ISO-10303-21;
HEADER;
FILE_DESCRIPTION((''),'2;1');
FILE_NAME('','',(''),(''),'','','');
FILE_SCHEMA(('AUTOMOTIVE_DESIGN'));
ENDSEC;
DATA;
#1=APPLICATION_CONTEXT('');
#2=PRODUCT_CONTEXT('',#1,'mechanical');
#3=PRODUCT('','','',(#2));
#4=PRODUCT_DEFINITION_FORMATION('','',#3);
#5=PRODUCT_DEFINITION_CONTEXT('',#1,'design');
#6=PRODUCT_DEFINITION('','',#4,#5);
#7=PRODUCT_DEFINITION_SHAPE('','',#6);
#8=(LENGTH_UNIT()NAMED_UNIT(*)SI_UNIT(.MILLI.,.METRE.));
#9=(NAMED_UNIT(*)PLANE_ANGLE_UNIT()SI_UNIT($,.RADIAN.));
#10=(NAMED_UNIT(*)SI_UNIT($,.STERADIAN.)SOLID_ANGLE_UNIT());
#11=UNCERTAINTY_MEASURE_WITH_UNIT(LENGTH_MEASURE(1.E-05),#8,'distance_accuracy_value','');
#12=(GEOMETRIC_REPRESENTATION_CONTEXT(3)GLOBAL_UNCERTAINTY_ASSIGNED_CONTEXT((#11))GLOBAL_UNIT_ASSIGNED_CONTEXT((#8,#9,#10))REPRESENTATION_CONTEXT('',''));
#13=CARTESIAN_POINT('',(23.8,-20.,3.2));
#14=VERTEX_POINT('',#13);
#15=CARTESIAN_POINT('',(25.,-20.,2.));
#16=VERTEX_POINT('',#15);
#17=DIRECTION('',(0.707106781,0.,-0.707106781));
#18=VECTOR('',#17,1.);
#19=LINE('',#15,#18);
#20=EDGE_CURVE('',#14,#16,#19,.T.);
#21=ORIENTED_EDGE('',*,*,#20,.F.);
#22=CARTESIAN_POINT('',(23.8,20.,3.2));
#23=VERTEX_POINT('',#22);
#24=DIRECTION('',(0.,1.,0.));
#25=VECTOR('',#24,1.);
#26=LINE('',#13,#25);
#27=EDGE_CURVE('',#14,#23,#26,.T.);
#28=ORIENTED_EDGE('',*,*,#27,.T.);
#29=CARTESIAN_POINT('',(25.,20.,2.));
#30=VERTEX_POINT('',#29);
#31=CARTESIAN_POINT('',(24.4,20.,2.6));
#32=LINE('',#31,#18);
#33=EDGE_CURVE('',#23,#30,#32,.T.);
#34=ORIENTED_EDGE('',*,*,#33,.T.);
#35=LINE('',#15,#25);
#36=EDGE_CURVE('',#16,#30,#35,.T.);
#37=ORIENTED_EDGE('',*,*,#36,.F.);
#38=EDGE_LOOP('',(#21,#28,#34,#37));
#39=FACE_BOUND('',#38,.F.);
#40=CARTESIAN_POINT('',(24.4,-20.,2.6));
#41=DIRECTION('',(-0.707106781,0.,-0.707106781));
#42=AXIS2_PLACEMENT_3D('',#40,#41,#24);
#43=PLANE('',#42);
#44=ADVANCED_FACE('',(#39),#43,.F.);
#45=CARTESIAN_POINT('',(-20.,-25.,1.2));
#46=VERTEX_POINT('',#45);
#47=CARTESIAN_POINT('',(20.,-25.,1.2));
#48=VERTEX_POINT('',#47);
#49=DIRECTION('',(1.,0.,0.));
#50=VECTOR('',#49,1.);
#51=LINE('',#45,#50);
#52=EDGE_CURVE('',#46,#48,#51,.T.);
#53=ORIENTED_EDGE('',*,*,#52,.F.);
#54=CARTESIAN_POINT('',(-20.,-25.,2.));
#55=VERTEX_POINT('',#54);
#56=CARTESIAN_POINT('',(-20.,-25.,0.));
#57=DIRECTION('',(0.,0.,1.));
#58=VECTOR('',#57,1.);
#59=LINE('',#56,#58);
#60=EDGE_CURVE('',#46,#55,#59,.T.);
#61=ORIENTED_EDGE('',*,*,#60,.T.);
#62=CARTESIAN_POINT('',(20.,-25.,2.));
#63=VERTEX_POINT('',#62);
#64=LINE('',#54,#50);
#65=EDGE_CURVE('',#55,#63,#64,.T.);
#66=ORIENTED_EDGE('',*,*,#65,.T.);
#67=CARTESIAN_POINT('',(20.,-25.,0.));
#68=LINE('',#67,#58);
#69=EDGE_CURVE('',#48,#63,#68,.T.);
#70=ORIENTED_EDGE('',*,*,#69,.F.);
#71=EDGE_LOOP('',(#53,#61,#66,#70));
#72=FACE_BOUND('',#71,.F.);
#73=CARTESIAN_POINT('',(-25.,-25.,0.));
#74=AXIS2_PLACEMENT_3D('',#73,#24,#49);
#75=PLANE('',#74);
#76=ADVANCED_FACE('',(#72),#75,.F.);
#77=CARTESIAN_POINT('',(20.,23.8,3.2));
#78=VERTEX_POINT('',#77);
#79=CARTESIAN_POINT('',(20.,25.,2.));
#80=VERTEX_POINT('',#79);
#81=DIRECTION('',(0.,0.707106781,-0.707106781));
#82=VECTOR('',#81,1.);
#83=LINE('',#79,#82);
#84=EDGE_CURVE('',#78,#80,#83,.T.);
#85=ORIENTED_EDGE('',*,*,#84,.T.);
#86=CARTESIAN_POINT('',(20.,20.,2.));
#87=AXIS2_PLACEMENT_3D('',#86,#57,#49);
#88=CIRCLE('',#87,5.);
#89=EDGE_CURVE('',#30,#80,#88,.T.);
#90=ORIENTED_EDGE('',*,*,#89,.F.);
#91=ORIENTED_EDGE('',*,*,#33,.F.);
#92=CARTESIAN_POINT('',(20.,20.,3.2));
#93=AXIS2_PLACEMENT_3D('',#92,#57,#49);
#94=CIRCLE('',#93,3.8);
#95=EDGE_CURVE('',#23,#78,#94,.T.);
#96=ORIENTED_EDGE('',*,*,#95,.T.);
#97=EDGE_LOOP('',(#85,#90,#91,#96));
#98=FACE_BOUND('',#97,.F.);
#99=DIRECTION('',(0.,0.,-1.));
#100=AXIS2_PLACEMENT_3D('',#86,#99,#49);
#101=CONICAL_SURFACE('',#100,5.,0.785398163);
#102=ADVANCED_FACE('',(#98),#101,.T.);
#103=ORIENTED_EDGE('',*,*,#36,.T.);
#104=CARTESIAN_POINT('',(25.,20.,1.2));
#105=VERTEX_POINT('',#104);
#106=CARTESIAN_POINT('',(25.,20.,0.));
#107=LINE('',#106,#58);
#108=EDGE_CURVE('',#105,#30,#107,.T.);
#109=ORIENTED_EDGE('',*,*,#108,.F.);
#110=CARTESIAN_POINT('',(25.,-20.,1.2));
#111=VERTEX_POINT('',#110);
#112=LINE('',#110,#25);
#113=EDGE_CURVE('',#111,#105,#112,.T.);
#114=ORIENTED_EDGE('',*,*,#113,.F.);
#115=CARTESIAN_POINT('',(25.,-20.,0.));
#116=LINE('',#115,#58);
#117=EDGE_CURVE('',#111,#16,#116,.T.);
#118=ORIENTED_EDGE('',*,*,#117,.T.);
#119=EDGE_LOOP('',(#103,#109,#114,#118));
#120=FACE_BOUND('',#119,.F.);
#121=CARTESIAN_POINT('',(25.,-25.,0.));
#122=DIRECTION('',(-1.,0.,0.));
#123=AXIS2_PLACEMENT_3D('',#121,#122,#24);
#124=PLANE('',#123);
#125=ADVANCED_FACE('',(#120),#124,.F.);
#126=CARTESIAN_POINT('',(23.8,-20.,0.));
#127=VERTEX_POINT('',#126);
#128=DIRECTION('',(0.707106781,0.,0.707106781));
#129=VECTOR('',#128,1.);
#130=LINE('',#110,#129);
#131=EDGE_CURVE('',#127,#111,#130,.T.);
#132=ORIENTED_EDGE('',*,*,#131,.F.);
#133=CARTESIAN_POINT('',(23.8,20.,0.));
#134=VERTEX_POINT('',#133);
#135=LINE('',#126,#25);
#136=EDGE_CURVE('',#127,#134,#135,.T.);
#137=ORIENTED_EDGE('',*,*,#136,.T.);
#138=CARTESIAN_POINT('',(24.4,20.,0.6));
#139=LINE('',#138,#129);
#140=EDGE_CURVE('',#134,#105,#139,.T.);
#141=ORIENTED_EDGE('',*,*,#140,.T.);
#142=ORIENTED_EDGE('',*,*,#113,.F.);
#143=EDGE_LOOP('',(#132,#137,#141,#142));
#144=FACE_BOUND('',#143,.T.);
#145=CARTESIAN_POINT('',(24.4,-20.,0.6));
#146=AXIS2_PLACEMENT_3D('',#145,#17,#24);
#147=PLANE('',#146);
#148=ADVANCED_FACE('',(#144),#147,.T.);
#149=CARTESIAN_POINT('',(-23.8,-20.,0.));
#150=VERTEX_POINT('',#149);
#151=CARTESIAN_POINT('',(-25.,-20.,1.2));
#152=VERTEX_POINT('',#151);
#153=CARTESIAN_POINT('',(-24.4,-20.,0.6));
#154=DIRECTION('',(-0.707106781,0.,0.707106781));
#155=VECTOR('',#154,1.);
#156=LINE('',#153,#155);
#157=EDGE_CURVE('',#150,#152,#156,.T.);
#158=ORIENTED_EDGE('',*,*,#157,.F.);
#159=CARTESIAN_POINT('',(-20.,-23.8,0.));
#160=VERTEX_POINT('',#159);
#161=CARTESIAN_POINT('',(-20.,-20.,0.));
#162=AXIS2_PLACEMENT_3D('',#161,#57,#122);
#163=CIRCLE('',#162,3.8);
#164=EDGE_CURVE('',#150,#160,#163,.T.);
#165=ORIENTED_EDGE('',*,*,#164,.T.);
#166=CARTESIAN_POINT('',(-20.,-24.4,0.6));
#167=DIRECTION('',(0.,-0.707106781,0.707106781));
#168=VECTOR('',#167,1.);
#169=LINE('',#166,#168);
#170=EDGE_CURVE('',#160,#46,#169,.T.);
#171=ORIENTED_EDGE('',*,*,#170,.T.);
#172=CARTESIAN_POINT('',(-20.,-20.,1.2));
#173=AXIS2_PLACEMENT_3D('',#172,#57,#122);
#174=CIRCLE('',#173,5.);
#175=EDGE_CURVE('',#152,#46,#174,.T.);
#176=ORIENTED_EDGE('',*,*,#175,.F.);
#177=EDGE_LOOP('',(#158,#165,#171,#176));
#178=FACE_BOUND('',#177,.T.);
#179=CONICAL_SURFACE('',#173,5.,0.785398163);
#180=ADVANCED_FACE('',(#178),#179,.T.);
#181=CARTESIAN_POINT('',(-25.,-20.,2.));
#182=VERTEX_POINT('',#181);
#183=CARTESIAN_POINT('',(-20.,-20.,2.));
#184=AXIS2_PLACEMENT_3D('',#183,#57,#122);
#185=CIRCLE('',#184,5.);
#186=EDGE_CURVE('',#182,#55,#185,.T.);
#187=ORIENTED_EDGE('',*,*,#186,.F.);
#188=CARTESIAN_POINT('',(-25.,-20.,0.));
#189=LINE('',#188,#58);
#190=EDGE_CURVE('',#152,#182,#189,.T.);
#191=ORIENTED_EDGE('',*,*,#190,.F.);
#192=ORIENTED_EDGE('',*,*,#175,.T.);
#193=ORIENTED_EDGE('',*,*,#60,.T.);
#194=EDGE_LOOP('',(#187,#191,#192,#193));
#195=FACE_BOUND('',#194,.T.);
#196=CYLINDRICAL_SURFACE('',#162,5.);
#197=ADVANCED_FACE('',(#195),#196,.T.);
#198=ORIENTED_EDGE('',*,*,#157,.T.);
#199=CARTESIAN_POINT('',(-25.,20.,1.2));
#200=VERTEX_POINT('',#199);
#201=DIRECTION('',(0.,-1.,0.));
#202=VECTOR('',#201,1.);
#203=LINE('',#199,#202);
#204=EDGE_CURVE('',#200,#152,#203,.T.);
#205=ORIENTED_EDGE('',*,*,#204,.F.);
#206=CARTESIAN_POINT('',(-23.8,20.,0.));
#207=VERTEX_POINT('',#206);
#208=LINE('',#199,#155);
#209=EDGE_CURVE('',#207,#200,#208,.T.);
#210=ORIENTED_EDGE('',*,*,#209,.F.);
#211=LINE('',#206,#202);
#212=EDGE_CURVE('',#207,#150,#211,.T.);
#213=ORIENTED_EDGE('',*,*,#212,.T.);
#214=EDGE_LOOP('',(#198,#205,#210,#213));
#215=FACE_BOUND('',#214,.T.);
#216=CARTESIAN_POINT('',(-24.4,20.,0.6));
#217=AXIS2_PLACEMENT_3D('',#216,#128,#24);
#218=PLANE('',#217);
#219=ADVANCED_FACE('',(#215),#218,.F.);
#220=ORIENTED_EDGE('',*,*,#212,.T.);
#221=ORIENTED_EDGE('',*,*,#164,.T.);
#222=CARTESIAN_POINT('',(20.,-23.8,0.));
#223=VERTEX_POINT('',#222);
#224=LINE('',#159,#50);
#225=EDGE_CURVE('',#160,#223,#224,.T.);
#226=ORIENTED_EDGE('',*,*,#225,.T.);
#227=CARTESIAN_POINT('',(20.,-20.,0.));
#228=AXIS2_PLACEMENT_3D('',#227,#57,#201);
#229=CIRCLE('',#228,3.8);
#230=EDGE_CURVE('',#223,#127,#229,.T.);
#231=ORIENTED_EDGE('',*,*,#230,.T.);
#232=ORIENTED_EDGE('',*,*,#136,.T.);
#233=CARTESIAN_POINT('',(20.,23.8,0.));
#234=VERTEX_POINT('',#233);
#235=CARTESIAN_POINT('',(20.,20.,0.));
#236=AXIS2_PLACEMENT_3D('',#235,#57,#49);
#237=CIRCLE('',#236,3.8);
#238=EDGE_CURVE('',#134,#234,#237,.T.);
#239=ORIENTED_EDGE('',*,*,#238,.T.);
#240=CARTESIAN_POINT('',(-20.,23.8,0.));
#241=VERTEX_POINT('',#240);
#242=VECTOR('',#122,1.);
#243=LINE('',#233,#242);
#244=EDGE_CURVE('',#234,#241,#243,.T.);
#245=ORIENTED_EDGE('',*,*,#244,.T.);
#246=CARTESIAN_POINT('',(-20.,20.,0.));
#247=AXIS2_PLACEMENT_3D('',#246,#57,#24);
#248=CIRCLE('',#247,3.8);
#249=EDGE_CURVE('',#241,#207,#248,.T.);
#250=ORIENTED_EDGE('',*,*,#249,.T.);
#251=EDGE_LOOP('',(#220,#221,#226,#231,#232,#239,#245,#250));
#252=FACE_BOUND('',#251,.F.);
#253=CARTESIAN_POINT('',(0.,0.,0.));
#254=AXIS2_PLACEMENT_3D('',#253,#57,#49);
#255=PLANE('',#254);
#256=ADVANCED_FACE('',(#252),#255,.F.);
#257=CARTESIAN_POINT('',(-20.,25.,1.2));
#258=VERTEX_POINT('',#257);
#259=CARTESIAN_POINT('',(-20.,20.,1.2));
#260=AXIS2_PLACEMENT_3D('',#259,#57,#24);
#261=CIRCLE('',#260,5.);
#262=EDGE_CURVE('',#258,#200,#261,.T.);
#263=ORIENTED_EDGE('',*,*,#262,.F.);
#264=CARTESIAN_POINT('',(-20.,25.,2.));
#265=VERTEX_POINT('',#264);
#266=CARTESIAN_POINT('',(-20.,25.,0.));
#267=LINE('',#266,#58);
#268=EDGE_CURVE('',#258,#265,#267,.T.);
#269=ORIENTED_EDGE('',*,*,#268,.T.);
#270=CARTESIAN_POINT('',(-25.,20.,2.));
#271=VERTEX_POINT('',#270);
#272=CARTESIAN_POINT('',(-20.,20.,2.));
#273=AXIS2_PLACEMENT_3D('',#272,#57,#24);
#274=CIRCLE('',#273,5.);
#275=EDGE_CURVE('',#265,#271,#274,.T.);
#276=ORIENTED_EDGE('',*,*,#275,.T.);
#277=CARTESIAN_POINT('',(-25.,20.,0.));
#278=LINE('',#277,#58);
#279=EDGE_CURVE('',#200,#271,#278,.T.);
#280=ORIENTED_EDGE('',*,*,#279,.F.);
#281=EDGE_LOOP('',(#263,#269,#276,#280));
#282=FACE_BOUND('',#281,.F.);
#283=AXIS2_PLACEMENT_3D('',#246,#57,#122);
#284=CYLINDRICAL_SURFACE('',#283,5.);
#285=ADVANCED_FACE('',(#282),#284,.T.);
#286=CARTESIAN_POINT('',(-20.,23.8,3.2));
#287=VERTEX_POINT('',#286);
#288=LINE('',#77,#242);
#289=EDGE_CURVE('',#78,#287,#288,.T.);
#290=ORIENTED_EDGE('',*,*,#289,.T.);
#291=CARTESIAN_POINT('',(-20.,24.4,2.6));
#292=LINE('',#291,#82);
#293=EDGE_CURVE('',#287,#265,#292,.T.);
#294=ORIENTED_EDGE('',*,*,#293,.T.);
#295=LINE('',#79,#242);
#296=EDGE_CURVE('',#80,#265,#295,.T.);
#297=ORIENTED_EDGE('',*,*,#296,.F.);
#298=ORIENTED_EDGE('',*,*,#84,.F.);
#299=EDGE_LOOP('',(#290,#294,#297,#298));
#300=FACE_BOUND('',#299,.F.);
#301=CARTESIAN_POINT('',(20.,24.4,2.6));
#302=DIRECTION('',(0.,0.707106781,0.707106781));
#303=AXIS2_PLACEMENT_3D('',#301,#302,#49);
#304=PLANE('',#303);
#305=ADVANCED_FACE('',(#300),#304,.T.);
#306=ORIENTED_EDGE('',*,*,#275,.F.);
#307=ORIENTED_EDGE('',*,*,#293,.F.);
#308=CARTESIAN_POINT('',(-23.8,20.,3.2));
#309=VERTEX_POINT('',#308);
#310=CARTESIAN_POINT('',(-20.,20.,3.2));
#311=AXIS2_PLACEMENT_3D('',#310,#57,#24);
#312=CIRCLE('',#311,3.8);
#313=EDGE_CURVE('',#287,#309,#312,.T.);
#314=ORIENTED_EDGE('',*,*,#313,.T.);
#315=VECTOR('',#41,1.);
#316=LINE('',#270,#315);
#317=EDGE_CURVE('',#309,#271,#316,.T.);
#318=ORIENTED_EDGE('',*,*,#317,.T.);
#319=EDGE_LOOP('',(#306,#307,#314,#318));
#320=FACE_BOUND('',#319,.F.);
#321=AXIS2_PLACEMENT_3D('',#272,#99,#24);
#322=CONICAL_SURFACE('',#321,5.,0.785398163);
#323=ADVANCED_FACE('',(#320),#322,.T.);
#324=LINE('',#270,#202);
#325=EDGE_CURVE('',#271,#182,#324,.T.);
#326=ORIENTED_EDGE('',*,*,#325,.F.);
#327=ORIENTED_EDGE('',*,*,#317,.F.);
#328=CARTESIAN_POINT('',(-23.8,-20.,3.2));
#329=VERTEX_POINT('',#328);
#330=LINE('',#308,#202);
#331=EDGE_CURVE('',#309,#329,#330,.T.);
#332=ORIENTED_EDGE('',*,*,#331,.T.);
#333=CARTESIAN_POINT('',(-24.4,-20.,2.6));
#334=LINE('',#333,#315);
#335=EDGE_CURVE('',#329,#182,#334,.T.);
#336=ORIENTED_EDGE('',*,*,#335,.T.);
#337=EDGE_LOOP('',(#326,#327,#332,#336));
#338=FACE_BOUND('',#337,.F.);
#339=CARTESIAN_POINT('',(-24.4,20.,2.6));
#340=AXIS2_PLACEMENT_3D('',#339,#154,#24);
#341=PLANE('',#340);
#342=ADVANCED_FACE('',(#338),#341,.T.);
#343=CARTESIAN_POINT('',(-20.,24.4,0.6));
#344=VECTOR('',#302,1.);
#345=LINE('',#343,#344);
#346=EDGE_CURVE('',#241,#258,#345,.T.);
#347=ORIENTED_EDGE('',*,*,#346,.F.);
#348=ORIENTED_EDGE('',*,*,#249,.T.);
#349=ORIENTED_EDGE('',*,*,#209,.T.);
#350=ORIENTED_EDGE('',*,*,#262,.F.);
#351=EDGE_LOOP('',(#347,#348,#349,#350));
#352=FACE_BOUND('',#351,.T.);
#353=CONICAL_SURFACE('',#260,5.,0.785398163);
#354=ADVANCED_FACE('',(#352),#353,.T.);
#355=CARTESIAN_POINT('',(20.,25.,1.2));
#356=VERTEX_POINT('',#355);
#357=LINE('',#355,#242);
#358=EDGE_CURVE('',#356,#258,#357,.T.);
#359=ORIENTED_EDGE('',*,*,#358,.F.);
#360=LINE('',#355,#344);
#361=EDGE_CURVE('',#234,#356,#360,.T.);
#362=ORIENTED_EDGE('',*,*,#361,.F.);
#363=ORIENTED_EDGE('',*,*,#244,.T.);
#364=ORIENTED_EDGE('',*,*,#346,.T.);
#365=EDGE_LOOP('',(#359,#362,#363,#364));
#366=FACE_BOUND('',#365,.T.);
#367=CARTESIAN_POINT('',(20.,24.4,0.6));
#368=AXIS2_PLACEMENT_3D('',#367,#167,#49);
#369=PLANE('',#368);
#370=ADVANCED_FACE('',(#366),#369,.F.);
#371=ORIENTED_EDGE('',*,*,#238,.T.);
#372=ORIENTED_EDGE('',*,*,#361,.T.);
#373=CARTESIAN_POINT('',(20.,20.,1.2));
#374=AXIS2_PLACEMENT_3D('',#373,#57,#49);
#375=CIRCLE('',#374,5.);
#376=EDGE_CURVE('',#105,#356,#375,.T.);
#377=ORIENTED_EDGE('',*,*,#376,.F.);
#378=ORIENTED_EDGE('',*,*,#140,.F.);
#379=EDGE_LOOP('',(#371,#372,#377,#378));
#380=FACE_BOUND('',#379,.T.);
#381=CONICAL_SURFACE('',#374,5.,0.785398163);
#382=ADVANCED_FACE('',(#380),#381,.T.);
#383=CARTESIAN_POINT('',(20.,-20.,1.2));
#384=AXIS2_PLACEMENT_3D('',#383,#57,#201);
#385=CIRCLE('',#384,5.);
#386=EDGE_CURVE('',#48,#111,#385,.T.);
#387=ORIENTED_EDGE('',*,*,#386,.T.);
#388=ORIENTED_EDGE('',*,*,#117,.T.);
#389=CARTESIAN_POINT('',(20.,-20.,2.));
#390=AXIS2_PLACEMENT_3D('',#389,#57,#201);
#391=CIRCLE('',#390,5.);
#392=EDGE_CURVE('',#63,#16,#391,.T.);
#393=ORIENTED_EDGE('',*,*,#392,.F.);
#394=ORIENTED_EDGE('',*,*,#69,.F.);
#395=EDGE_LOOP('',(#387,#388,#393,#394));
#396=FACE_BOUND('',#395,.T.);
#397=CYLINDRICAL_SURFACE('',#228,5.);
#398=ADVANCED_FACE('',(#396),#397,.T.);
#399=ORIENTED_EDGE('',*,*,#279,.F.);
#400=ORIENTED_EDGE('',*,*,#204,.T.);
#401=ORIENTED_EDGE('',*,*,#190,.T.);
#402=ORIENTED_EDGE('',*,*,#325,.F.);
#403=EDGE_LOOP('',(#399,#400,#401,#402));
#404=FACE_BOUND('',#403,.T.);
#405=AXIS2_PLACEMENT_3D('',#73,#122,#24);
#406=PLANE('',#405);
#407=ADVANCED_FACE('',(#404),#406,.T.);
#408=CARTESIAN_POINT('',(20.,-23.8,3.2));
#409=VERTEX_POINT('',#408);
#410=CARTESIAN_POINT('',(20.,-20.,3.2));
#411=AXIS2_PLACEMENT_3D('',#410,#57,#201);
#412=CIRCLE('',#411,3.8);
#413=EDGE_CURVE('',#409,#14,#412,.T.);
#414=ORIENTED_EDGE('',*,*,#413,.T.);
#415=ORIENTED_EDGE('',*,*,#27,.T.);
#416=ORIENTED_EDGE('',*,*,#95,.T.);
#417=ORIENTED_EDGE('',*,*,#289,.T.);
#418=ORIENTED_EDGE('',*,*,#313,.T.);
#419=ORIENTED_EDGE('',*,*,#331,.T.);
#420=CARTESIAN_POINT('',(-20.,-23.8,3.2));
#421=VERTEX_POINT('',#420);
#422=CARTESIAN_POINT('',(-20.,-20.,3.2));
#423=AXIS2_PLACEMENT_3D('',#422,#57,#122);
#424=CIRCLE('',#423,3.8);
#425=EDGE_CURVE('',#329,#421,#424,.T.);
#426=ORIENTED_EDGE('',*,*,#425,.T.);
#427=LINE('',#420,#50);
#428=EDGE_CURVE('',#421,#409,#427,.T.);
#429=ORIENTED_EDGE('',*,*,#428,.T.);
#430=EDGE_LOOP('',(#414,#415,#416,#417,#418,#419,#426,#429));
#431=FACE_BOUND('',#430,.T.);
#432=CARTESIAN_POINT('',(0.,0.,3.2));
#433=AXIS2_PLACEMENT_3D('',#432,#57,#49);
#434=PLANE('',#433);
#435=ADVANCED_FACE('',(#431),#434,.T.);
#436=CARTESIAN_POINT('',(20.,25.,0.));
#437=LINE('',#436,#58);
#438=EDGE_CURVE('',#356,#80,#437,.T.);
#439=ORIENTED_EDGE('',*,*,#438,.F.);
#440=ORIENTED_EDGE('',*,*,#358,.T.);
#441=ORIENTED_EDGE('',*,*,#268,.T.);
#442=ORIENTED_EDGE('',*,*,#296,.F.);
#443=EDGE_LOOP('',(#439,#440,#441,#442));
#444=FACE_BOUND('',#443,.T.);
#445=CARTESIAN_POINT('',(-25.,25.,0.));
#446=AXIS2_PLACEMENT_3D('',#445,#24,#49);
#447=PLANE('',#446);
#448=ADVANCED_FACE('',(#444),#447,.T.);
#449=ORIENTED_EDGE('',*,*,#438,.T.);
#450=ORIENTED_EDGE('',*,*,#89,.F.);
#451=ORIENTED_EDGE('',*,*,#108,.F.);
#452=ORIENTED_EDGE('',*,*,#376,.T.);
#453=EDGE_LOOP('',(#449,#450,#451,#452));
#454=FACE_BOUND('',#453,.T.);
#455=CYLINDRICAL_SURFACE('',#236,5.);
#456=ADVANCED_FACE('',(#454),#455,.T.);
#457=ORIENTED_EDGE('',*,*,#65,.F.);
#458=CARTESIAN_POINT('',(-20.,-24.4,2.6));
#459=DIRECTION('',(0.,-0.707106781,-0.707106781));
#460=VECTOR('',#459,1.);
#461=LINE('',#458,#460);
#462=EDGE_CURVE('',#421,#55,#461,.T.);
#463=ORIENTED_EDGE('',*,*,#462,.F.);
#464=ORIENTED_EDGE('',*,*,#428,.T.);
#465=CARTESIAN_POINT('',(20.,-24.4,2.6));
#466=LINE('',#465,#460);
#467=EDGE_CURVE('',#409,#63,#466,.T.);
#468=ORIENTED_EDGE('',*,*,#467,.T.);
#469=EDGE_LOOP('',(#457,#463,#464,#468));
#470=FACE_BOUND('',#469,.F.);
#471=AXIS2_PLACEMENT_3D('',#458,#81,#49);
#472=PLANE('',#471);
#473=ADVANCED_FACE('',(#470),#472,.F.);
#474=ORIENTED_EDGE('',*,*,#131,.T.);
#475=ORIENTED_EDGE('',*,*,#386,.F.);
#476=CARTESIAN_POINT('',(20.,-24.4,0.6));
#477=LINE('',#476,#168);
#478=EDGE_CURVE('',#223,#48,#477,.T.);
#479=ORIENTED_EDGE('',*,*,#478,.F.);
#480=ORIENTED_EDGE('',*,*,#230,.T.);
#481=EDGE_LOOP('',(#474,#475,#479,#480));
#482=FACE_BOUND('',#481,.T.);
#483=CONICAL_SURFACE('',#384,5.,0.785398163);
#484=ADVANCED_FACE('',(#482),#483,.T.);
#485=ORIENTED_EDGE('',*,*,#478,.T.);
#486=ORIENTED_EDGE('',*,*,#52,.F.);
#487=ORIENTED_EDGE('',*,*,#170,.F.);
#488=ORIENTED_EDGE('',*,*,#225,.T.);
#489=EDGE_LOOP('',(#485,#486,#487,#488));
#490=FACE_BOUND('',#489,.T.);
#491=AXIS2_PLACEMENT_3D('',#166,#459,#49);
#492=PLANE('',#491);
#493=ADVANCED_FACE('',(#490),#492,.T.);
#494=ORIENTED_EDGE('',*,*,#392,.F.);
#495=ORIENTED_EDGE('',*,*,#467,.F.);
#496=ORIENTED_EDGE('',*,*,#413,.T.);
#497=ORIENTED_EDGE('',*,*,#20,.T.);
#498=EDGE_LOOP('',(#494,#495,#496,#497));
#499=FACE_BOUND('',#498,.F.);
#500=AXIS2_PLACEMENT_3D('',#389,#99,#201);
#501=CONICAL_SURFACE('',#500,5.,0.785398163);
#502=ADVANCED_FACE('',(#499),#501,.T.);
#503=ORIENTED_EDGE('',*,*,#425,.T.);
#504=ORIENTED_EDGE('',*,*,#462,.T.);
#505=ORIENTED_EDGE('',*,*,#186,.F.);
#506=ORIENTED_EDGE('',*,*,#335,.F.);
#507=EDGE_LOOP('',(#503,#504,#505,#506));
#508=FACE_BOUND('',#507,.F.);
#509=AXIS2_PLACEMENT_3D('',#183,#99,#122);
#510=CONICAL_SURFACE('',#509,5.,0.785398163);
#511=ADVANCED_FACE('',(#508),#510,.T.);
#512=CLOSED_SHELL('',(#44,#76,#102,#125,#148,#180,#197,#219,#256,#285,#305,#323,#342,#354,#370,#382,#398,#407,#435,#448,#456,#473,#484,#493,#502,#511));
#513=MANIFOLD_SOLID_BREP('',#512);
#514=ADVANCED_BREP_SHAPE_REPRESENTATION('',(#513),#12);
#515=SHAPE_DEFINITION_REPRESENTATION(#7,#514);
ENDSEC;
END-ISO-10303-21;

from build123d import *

# Parameters (mm, degrees)
F0_W     = 50
F0_H     = 50
F1_DEPTH = 3.2
F2_R     = 5
F3_SIZE  = 1.2


with BuildPart() as f1:
    # F0 (on Top) → F1 (new body)
    with BuildSketch(Plane.XY):
        Rectangle(F0_W, F0_H)
    extrude(amount=F1_DEPTH)

    # F2
    f2_edges = [f1.edges().sort_by_distance(p)[0] for p in [
        (-25, -25, 1.6),
        (25, -25, 1.6),
        (25, 25, 1.6),
        (-25, 25, 1.6),
    ]]
    fillet(f2_edges, radius=F2_R)

    # F3
    f3_edges = [f1.edges().sort_by_distance(p)[0] for p in [
        (0, -25, 0),
        (-23.535534, -23.535534, 0),
        (23.535534, -23.535534, 0),
        (-25, 0, 0),
        (25, 0, 0),
        (-23.535534, 23.535534, 0),
        (23.535534, 23.535534, 0),
        (0, 25, 0),
        (0, -25, 3.2),
        (-23.535534, -23.535534, 3.2),
        (23.535534, -23.535534, 3.2),
        (-25, 0, 3.2),
        (25, 0, 3.2),
        (-23.535534, 23.535534, 3.2),
        (23.535534, 23.535534, 3.2),
        (0, 25, 3.2),
    ]]
    chamfer(f3_edges, length=F3_SIZE)


solid = f1.part
